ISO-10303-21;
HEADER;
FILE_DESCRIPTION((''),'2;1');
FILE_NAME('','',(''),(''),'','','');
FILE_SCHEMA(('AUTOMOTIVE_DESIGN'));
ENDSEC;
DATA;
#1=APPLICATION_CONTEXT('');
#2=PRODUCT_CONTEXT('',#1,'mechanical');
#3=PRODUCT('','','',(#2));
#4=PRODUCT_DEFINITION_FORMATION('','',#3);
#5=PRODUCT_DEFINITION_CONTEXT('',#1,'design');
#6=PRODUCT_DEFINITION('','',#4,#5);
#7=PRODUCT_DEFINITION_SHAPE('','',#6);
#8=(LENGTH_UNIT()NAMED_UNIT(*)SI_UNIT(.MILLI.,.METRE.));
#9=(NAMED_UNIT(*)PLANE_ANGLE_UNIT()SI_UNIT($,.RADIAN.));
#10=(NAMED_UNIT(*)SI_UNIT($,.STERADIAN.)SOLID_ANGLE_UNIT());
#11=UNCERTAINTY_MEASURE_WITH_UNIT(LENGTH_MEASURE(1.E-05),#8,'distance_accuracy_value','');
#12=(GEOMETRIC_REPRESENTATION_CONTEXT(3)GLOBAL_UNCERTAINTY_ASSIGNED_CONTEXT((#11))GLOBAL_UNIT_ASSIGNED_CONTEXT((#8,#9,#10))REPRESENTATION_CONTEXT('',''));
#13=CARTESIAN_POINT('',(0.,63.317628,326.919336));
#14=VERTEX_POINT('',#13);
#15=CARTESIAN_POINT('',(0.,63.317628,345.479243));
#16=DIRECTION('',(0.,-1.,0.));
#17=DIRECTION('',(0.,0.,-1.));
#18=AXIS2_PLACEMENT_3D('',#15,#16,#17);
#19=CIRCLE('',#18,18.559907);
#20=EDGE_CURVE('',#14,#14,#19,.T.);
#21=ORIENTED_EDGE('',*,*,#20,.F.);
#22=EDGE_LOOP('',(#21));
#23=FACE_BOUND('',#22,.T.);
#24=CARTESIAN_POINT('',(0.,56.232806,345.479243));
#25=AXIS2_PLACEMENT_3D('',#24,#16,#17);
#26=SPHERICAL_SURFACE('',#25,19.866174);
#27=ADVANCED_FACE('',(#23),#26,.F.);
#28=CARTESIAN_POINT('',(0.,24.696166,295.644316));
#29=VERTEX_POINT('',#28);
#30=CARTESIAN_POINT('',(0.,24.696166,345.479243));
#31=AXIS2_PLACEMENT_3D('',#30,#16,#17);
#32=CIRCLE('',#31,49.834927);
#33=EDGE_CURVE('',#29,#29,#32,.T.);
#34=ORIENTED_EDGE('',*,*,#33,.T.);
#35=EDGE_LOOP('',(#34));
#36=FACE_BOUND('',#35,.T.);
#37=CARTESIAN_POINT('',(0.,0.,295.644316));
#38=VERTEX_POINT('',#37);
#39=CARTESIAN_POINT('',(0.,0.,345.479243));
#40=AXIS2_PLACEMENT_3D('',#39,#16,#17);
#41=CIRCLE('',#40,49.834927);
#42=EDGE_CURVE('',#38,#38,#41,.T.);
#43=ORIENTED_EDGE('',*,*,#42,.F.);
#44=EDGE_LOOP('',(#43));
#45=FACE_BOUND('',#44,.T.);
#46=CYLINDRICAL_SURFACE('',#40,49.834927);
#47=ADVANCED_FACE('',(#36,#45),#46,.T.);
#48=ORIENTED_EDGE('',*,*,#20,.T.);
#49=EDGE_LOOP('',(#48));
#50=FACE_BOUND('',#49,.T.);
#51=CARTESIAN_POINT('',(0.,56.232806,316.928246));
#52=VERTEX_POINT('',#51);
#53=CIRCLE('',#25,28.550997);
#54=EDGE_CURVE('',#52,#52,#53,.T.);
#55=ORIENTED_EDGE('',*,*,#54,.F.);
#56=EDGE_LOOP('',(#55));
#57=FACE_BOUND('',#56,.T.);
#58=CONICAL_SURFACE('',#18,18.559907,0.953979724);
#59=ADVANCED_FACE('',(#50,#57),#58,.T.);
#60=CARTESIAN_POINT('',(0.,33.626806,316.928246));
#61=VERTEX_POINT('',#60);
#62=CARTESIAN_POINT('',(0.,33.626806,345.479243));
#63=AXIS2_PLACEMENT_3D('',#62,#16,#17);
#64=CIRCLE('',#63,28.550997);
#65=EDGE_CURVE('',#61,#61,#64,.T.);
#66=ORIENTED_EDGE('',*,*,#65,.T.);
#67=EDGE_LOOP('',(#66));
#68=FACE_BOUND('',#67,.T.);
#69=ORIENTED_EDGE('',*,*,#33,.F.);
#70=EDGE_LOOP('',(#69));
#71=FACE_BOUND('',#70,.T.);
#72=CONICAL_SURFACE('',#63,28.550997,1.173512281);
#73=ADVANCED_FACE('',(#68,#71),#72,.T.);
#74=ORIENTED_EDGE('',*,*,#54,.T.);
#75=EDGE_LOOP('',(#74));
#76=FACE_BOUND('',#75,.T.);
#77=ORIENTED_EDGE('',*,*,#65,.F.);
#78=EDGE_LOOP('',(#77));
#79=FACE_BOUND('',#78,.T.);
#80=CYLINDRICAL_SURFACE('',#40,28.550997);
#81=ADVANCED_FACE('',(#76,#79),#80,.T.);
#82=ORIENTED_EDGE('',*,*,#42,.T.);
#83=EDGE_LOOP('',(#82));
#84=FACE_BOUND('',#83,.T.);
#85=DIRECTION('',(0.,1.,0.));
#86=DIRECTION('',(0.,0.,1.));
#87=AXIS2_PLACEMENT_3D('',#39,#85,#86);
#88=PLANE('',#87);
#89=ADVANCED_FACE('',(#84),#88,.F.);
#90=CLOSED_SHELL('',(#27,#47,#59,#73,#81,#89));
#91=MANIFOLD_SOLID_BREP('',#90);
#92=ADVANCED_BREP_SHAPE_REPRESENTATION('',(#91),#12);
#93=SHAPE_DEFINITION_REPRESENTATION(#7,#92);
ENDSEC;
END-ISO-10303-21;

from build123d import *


with BuildPart() as part:
    # Sketch1 → Revolve1 (revolve)
    with BuildSketch(Plane(origin=(0, 0, 0), x_dir=(0, 0, -1), z_dir=(1, 0, 0)), mode=Mode.PRIVATE) as revolve1_sk:
        with BuildLine():
            Line((-345.479243, 0), (-395.31417, 0))
            Line((-395.31417, 0), (-395.31417, 24.696166))
            Line((-395.31417, 24.696166), (-374.03024, 33.626806))
            Line((-374.03024, 33.626806), (-374.03024, 56.232806))
            Line((-374.03024, 56.232806), (-364.03915, 63.317628))
            ThreePointArc((-364.03915, 63.317628), (-361.840984256, 44.965229789), (-345.479243, 36.366632473))
            Line((-345.479243, 36.366632473), (-345.479243, 0))
        make_face()
    revolve(revolve1_sk.sketch.rotate(Axis((0, 0, 345.479243), (0, 1, 0)), 180), axis=Axis((0, 0, 345.479243), (0, 1, 0)))


solid = part.part
